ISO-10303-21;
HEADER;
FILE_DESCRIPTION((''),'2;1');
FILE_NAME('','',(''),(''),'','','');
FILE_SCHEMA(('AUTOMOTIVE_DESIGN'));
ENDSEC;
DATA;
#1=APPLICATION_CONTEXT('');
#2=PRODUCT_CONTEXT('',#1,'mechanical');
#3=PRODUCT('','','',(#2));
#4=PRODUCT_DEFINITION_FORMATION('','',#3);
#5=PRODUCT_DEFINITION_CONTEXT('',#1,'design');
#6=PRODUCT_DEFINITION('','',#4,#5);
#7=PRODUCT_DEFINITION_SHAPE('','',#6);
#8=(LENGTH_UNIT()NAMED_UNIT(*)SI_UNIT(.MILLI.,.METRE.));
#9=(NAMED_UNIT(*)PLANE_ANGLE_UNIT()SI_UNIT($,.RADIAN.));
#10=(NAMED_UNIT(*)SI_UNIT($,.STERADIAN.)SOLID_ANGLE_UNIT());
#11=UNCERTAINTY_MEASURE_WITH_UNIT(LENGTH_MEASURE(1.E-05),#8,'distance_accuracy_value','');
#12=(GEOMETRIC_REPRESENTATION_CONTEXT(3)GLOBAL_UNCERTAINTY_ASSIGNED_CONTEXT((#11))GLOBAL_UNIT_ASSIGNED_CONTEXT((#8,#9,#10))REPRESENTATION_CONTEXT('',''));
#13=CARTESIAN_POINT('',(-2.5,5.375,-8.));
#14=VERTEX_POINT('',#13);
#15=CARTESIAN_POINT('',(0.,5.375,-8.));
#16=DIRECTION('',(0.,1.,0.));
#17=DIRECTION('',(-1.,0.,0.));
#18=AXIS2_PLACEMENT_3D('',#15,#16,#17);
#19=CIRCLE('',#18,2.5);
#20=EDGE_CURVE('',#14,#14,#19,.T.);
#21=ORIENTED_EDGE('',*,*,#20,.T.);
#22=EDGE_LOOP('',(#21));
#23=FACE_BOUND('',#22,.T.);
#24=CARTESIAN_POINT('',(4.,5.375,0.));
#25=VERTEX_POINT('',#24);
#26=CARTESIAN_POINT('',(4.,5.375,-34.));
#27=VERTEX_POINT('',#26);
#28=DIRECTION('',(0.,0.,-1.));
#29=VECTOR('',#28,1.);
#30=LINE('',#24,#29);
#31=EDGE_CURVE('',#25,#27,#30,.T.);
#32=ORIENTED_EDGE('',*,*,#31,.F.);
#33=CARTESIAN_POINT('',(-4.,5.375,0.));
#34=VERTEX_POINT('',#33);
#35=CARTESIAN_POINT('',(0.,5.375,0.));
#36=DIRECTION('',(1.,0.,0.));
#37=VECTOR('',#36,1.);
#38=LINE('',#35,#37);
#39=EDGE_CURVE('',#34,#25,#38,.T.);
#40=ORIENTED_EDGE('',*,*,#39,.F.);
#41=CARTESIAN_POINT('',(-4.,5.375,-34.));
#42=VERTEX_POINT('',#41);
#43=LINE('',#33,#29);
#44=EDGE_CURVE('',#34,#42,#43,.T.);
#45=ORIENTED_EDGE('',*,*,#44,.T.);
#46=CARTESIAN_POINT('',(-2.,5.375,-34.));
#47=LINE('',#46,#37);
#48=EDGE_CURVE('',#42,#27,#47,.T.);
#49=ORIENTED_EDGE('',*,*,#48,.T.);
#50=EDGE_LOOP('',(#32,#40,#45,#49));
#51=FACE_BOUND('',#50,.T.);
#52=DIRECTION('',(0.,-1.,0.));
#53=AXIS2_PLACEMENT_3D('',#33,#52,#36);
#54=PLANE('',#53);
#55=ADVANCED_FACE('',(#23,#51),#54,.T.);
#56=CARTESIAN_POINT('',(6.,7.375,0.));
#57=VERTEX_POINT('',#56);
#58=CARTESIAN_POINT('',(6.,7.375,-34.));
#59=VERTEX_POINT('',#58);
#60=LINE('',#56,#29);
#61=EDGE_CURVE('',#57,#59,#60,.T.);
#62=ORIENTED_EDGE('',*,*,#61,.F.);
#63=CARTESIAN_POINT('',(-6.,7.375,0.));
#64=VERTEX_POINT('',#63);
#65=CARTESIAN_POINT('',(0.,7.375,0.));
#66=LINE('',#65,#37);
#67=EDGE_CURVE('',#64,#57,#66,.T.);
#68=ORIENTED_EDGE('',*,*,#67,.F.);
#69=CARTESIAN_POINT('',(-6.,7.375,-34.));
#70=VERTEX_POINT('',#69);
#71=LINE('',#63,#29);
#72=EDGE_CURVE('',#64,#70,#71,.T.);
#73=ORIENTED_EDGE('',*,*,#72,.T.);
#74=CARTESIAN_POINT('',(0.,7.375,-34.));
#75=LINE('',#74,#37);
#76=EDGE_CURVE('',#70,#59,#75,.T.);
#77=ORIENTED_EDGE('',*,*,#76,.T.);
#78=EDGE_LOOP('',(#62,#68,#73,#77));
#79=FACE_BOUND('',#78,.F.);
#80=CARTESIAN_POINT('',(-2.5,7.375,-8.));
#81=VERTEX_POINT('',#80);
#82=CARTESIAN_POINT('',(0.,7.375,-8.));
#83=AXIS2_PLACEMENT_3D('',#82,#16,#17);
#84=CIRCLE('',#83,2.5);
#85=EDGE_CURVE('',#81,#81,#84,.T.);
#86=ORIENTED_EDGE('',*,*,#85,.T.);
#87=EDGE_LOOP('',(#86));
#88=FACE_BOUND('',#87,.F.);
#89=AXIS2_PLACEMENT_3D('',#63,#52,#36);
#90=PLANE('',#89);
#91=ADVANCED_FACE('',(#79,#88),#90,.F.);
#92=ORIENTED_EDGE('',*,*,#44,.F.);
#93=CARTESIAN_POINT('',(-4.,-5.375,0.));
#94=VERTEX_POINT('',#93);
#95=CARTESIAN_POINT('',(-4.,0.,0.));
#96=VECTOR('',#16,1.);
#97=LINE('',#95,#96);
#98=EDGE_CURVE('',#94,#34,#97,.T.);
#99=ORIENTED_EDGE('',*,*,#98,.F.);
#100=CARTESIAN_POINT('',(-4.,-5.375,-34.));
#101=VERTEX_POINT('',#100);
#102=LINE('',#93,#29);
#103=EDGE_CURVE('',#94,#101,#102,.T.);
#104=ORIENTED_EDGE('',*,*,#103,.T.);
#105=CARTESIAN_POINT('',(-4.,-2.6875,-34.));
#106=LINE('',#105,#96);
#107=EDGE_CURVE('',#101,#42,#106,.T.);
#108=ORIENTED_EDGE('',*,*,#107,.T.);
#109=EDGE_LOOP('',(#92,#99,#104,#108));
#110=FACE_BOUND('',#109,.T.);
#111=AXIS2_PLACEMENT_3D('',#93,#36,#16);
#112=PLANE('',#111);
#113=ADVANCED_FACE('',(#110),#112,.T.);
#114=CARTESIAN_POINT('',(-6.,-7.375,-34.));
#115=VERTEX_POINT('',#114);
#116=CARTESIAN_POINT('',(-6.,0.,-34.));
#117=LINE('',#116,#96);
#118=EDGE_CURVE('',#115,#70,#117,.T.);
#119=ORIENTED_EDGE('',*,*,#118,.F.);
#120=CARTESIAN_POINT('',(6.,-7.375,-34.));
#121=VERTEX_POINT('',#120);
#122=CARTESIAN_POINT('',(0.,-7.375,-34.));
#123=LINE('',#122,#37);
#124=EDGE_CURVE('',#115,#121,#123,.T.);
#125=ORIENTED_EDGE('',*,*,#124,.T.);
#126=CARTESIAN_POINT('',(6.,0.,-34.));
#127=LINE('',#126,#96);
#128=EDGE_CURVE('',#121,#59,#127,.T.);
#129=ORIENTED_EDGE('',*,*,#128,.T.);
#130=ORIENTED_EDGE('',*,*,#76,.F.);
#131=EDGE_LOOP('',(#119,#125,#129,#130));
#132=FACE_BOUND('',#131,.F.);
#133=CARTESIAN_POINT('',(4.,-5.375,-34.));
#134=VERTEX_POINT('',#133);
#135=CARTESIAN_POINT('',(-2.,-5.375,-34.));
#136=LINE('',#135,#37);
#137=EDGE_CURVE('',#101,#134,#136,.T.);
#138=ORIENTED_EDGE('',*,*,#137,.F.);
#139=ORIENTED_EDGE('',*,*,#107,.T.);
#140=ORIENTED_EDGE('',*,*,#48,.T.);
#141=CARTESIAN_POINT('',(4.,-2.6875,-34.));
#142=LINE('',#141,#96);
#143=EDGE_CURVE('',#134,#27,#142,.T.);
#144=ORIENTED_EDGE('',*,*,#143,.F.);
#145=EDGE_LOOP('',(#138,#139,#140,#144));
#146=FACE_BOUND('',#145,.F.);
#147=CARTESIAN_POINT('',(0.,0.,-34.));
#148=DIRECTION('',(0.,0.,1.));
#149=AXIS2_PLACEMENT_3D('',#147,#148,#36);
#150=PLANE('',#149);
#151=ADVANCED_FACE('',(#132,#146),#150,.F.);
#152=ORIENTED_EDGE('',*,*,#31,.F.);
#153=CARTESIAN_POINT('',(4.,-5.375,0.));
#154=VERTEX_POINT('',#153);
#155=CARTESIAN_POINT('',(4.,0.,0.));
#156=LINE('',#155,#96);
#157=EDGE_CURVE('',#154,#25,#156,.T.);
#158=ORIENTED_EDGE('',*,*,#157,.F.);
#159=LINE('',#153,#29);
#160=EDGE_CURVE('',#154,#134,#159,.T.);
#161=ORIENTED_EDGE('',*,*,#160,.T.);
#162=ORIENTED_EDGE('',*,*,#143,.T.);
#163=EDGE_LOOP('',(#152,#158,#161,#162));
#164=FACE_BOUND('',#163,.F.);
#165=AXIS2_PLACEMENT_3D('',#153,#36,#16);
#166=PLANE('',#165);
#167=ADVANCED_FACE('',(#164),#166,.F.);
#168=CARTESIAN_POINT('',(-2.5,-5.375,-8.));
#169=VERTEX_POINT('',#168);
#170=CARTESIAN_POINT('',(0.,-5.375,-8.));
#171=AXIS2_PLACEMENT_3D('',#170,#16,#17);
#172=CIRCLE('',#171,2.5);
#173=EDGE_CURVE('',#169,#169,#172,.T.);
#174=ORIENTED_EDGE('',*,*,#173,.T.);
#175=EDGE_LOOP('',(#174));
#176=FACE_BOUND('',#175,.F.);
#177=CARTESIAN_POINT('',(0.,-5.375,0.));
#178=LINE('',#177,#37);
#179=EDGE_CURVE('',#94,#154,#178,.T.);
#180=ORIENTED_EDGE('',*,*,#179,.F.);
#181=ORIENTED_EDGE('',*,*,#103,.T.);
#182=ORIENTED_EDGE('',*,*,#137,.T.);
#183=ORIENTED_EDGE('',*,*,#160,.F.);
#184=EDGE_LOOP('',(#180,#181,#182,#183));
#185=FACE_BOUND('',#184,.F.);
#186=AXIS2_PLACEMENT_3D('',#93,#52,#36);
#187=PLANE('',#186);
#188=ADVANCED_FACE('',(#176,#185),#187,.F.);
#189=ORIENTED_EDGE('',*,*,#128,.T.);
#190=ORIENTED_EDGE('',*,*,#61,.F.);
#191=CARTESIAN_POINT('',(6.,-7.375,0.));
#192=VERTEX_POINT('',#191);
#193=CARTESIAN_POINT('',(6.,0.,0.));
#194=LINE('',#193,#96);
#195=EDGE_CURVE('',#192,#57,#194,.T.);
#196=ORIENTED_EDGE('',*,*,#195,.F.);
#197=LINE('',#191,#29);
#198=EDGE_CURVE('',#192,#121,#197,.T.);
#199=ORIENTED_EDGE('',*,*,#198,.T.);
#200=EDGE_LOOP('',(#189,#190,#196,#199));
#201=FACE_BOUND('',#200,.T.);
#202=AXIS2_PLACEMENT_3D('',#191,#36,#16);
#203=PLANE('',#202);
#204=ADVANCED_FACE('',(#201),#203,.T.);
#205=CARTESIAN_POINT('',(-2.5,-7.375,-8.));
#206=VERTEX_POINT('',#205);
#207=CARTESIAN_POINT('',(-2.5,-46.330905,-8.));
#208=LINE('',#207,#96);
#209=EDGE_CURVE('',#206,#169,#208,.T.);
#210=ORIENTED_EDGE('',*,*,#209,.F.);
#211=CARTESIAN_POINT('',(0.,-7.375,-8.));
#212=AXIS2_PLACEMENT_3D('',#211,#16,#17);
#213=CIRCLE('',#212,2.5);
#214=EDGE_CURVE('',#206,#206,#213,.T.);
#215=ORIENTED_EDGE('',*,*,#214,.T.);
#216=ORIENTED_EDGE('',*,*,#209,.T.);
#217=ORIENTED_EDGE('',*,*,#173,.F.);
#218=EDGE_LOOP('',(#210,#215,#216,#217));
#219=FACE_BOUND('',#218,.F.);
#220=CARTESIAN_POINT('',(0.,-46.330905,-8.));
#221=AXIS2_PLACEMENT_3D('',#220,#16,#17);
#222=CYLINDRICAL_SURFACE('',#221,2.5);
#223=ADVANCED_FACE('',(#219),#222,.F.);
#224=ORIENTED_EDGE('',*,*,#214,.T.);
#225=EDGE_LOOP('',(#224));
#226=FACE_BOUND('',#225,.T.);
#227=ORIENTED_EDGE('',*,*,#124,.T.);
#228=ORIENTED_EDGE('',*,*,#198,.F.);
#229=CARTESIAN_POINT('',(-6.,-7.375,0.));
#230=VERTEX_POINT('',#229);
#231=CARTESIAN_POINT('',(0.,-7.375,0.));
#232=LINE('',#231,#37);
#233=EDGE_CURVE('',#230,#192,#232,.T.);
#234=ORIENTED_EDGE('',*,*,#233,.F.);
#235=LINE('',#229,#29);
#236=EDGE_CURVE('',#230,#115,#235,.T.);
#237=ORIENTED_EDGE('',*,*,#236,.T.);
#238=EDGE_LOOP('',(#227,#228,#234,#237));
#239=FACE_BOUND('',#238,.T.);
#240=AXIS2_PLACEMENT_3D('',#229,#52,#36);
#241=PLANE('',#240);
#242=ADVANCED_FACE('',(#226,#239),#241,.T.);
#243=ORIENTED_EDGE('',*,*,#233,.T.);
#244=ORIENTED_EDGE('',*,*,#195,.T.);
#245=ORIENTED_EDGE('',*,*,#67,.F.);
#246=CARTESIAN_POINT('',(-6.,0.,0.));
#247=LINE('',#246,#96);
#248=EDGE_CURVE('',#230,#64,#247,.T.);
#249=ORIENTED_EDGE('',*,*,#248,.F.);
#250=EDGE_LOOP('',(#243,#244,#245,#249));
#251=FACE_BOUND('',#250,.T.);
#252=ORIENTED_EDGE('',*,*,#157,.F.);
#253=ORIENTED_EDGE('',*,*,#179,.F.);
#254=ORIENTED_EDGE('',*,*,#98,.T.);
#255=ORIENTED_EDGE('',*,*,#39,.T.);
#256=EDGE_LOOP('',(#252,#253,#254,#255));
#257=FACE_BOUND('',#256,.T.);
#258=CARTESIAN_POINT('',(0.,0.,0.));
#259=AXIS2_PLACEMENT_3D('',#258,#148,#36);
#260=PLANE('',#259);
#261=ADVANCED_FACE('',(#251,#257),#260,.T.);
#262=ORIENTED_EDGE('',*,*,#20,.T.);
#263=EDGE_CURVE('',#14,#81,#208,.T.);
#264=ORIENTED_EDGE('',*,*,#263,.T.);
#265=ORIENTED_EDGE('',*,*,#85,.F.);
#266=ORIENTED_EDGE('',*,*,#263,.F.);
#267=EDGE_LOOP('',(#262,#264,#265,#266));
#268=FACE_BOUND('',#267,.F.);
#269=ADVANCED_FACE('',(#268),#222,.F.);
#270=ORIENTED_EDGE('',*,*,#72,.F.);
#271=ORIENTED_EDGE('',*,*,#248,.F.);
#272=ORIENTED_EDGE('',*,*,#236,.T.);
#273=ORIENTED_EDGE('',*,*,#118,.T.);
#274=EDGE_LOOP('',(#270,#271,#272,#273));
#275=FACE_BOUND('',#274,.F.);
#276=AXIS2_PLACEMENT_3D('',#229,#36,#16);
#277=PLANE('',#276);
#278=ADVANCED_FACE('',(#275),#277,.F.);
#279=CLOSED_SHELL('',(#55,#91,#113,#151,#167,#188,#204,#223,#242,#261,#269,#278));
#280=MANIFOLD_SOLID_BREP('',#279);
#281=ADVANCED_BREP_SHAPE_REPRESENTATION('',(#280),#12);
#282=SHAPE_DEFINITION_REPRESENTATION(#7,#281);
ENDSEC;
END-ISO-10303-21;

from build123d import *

# Parameters (mm, degrees)
F0_W     = 12
F0_H     = 14.75
F1_DEPTH = 34
F2_W     = 8
F2_H     = 10.75
F3_DEPTH = 36
F5_D     = 5


with BuildPart() as f1:
    # F0 (on Top) → F1 (new body)
    with BuildSketch(Plane.XY):
        Rectangle(F0_W, F0_H)
    extrude(amount=-F1_DEPTH)

    # F2 (on face) → F3 (cut)
    with BuildSketch(Plane.XY):
        Rectangle(F2_W, F2_H)
    extrude(amount=-F3_DEPTH, mode=Mode.SUBTRACT)

    # F5 (through all)
    with Locations(Plane.XZ.offset(7.375)):
        with Locations((0, -8)):
            Hole(F5_D / 2)


solid = f1.part
